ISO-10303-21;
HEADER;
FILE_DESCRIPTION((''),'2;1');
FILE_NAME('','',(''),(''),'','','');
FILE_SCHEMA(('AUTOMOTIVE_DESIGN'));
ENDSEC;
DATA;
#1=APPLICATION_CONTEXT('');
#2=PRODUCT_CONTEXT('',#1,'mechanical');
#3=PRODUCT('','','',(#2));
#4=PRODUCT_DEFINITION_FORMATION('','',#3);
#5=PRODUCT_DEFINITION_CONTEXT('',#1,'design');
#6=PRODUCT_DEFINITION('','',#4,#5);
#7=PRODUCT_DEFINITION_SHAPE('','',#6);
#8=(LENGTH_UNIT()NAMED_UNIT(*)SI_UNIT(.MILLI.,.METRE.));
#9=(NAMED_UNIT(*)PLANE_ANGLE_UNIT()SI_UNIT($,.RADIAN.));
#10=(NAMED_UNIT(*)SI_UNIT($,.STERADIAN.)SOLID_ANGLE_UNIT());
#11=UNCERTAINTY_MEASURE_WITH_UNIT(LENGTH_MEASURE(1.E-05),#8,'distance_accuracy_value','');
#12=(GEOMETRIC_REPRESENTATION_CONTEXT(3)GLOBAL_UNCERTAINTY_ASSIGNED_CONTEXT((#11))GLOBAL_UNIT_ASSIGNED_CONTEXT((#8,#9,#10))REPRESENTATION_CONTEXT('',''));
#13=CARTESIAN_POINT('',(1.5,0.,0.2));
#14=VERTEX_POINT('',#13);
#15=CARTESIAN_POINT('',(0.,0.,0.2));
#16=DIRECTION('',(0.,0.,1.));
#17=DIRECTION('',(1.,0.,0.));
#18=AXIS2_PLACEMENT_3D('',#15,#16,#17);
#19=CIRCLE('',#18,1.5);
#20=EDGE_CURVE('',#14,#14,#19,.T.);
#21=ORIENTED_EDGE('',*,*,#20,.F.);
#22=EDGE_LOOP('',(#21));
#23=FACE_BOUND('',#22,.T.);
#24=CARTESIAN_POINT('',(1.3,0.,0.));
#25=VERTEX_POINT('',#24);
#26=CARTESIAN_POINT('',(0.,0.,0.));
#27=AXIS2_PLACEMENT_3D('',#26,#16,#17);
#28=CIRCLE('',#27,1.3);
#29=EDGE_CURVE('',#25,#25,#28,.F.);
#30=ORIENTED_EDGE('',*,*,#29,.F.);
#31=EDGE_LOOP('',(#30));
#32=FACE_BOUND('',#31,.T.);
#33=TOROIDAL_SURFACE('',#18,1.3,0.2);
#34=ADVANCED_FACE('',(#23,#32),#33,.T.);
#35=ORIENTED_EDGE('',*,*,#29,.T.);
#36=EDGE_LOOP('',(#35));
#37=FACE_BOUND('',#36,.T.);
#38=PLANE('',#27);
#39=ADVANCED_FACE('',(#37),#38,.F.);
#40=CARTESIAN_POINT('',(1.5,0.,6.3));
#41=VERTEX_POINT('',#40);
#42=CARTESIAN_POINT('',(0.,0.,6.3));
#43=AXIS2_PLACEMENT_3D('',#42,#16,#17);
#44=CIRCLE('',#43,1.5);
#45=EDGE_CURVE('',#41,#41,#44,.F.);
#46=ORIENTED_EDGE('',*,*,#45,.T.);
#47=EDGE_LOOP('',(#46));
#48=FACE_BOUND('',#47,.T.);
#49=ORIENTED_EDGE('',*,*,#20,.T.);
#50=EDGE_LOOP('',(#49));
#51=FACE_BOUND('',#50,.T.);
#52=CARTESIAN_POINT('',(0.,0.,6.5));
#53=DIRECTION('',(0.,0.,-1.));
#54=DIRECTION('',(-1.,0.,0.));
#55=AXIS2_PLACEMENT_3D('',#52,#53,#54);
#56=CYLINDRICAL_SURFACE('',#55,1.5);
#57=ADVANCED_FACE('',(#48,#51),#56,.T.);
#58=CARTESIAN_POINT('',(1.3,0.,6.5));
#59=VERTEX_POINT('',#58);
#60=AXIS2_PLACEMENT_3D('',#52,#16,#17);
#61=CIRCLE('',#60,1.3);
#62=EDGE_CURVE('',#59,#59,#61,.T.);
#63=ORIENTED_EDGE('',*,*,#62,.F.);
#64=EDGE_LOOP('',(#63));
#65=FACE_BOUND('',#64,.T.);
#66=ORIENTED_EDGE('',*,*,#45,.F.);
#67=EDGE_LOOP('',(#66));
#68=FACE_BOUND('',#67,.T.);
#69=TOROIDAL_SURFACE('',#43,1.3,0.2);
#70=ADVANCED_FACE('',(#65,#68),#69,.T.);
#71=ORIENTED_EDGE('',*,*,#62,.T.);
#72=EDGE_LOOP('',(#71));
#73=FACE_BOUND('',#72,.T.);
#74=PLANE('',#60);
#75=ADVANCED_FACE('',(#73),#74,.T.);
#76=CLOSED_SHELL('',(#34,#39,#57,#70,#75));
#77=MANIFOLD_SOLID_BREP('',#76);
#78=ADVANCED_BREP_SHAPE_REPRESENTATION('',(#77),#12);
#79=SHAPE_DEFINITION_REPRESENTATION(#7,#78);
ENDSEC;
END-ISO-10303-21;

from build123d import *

# Parameters (mm, degrees)
SKETCH_1_R      = 1.5
EXTRUDE_2_DEPTH = 6.5
FILLET_2_R      = 0.2


with BuildPart() as part:
    # Эскиз1 → Бобышка-Вытянуть2 (new body)
    with BuildSketch(Plane.XY):
        Circle(SKETCH_1_R)
    extrude(amount=EXTRUDE_2_DEPTH)

    # Скругление2
    fillet_2_edges = [part.edges().sort_by_distance(p)[0] for p in [
        (-1.5, 0, 0),
        (-1.5, 0, 6.5),
    ]]
    fillet(fillet_2_edges, radius=FILLET_2_R)


solid = part.part
